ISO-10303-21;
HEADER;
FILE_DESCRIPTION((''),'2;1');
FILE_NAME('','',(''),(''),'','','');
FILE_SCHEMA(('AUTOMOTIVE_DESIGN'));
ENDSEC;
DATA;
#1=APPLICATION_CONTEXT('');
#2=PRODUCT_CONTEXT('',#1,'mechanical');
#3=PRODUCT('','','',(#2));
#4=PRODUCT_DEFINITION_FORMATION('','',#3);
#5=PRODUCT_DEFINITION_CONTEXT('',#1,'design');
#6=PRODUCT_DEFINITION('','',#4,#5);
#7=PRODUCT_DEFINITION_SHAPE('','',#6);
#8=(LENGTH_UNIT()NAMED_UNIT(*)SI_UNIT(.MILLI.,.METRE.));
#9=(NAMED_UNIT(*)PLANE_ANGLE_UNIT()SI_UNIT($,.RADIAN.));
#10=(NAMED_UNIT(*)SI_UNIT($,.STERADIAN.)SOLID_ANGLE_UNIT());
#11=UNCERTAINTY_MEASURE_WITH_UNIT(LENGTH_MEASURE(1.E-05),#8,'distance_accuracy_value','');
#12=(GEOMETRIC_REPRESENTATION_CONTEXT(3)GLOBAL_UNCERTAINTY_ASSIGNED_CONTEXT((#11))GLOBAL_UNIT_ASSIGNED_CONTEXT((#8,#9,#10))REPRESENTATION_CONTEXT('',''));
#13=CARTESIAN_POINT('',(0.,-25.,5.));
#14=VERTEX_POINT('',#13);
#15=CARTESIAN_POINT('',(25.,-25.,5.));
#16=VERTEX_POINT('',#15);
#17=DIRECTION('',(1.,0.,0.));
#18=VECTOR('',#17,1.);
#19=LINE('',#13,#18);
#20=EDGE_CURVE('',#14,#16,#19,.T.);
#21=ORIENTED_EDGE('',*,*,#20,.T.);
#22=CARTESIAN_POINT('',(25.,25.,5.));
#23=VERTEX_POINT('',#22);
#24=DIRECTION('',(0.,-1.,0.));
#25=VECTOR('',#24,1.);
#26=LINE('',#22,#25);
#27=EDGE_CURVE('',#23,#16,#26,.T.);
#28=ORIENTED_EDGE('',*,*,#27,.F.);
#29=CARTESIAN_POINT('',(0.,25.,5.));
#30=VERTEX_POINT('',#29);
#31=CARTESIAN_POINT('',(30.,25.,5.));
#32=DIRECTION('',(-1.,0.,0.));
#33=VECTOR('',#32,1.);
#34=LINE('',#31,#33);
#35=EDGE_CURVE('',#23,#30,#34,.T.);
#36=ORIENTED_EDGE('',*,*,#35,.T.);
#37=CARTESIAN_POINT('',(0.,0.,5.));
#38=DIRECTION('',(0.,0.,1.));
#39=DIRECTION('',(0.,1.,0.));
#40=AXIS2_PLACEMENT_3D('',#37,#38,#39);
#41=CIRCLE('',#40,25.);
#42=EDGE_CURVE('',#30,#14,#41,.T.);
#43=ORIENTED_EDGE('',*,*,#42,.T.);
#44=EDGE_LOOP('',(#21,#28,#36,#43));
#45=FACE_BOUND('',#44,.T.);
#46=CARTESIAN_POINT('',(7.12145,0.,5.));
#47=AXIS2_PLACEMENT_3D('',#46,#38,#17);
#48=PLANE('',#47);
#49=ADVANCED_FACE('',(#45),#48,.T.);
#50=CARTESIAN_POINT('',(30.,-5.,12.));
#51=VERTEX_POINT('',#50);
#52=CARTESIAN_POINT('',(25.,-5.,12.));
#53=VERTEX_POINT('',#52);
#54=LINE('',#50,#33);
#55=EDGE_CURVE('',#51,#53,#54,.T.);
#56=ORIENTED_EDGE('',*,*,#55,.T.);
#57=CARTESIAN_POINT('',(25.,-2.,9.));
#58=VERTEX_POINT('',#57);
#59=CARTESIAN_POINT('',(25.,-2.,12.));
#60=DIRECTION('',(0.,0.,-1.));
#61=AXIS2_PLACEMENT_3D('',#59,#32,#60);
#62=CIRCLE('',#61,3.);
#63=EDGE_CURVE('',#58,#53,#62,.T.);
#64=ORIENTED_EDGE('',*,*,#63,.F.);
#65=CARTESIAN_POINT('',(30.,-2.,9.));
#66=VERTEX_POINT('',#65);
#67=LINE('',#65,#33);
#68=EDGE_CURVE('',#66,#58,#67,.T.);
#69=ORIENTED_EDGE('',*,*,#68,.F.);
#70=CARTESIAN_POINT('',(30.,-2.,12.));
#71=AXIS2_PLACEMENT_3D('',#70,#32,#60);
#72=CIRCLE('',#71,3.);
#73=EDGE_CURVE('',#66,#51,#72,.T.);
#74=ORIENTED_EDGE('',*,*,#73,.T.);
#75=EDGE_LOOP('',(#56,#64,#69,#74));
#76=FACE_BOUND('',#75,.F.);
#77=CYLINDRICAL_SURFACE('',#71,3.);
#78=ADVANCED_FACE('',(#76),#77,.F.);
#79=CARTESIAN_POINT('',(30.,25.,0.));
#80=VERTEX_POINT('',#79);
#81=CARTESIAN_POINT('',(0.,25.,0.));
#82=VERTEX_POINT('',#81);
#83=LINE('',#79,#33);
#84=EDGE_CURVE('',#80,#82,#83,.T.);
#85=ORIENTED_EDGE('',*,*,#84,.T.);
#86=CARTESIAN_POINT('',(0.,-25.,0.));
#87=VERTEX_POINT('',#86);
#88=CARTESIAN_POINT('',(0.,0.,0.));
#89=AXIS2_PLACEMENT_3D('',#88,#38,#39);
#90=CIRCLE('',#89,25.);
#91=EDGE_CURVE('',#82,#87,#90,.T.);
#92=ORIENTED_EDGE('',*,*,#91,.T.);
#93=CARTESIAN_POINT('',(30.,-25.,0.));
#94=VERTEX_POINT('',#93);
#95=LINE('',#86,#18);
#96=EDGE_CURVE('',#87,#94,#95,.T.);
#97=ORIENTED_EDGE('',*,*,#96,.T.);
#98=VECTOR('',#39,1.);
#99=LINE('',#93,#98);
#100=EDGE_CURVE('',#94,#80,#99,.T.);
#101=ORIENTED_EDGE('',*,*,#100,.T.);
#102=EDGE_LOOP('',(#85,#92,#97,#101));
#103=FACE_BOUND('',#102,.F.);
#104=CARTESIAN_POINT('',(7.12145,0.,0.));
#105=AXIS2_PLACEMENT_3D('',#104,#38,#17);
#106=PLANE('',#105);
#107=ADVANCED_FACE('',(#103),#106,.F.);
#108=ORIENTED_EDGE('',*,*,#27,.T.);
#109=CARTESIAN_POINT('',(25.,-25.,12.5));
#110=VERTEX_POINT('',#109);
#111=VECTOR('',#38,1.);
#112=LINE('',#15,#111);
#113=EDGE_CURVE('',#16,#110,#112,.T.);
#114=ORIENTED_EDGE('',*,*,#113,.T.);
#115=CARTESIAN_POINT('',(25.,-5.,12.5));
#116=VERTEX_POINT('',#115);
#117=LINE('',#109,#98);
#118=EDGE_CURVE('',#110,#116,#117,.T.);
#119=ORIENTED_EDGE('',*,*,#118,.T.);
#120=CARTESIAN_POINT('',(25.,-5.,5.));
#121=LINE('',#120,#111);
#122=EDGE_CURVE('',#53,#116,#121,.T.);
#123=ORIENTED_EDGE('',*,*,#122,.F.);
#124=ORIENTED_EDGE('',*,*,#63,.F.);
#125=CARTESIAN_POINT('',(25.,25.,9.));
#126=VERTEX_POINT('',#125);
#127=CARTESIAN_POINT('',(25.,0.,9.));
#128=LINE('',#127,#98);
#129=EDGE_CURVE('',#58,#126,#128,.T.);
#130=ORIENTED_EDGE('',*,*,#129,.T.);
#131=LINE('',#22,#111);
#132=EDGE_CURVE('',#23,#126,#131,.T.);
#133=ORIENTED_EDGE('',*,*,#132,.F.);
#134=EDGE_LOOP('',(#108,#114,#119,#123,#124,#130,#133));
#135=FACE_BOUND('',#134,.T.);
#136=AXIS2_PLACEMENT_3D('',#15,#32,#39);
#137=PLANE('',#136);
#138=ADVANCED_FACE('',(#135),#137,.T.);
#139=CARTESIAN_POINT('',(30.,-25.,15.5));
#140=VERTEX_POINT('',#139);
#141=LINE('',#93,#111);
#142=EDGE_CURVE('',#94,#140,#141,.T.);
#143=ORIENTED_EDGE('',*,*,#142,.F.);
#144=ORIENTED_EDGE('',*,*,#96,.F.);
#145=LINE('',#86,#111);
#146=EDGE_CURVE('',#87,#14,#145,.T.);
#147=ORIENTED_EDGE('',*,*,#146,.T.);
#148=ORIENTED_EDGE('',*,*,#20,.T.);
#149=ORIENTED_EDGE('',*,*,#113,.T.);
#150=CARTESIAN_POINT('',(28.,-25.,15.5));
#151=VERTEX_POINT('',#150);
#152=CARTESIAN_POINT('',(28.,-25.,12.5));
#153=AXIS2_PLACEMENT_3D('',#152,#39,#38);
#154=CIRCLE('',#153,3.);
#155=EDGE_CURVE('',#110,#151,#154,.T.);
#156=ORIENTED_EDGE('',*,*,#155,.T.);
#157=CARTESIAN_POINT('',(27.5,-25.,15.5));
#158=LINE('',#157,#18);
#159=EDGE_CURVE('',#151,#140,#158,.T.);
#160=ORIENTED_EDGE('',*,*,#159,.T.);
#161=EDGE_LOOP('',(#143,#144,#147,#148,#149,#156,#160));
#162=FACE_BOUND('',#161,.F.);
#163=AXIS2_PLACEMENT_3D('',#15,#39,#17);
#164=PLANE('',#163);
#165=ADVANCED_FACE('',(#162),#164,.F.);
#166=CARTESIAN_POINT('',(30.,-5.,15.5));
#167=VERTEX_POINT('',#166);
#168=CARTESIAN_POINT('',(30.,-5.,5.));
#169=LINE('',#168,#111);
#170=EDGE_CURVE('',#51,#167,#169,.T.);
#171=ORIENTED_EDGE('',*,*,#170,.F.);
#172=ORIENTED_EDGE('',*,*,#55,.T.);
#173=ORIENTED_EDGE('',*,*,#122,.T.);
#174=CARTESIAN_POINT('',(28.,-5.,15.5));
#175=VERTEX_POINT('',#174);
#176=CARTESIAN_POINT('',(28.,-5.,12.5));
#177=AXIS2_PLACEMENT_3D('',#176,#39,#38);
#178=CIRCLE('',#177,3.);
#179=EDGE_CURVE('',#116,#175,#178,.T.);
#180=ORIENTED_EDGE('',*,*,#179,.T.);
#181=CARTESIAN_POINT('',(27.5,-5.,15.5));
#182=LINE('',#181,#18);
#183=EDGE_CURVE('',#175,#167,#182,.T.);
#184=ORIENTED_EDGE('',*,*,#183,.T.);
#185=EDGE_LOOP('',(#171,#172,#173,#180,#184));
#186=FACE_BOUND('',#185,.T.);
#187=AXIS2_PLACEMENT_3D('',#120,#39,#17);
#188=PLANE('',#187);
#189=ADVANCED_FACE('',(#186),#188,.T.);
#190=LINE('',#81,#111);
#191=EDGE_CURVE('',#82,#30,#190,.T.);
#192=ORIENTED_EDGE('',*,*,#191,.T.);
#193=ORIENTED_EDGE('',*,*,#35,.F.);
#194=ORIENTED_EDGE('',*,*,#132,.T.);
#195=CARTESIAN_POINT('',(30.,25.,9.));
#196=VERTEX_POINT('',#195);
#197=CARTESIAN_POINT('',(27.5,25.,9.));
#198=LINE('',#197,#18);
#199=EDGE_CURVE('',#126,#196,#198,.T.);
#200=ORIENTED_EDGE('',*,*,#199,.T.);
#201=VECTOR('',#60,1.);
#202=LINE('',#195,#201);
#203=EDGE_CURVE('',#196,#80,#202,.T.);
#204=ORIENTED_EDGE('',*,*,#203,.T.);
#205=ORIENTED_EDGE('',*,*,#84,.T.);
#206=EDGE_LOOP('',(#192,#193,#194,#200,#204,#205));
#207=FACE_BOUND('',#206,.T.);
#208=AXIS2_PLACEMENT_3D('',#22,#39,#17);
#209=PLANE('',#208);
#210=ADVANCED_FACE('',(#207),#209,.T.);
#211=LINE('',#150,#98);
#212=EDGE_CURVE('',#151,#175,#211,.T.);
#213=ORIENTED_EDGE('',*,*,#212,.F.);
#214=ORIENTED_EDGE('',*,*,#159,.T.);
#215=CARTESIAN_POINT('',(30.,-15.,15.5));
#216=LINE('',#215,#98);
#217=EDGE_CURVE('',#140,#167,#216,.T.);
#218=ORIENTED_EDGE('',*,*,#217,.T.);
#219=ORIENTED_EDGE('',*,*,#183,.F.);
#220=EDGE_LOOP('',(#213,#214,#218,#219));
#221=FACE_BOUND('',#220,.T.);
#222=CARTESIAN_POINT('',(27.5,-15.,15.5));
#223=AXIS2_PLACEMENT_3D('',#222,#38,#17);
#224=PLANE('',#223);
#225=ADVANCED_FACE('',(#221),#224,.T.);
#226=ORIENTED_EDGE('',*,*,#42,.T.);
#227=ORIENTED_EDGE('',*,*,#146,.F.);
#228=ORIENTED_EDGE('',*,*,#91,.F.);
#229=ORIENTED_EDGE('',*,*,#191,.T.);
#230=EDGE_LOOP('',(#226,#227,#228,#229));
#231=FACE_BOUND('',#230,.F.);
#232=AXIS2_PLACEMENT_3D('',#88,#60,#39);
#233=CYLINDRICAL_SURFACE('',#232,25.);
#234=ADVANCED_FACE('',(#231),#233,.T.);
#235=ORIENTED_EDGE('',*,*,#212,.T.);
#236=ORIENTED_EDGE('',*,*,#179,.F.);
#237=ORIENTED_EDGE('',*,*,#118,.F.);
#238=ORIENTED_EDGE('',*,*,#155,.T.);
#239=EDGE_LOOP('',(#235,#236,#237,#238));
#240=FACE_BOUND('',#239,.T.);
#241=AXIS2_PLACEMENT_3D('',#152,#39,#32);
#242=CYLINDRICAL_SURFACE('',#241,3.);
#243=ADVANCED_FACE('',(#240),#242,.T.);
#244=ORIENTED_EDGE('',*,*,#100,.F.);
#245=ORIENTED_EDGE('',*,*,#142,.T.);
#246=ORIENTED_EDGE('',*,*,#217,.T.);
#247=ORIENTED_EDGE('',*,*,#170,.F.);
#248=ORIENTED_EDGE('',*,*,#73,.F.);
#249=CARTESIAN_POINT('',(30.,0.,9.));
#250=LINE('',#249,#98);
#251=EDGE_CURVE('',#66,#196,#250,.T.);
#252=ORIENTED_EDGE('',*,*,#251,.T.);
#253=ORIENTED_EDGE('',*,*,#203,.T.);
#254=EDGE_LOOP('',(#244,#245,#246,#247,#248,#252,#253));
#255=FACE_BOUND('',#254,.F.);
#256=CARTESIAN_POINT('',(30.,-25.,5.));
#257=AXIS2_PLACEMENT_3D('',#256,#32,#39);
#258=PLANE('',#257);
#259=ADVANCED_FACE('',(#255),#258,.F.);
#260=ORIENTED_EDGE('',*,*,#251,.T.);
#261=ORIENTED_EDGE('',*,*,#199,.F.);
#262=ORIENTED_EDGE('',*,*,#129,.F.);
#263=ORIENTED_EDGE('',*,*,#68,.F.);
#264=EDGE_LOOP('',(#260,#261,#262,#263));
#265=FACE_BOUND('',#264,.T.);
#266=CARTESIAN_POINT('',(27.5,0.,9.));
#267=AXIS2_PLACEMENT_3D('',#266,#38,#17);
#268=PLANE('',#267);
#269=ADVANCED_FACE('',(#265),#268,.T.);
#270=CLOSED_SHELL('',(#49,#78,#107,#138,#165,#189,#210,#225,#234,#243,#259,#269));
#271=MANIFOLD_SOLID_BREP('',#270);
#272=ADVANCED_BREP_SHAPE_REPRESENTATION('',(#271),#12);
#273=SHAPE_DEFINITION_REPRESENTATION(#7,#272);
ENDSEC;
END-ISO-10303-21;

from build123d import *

# Parameters (mm, degrees)
F1_DEPTH = 5
F2_W     = 5
F2_H     = 50
F3_DEPTH = 4
F4_W     = 5
F4_H     = 20
F5_DEPTH = 10.5
F6_R     = 3


with BuildPart() as f1:
    # F0 (on Top) → F1 (new body)
    with BuildSketch(Plane.XY):
        with BuildLine():
            Line((30, 25), (0, 25))
            ThreePointArc((0, 25), (-25, 0), (0, -25))
            Line((0, -25), (30, -25))
            Line((30, -25), (30, 25))
        make_face()
    extrude(amount=F1_DEPTH)

    # F2 (on face) → F3 (join)
    with BuildSketch(Plane.XY.offset(5)):
        with Locations((27.5, 0)):
            Rectangle(F2_W, F2_H)
    extrude(amount=F3_DEPTH)

    # F4 (on face) → F5 (join)
    with BuildSketch(Plane.XY.offset(5)):
        with Locations((27.5, -15)):
            Rectangle(F4_W, F4_H)
    extrude(amount=F5_DEPTH)

    # F6
    f6_edges = [f1.edges().sort_by_distance(p)[0] for p in [
        (27.5, -5, 9),
        (25, -15, 15.5),
    ]]
    fillet(f6_edges, radius=F6_R)


solid = f1.part
